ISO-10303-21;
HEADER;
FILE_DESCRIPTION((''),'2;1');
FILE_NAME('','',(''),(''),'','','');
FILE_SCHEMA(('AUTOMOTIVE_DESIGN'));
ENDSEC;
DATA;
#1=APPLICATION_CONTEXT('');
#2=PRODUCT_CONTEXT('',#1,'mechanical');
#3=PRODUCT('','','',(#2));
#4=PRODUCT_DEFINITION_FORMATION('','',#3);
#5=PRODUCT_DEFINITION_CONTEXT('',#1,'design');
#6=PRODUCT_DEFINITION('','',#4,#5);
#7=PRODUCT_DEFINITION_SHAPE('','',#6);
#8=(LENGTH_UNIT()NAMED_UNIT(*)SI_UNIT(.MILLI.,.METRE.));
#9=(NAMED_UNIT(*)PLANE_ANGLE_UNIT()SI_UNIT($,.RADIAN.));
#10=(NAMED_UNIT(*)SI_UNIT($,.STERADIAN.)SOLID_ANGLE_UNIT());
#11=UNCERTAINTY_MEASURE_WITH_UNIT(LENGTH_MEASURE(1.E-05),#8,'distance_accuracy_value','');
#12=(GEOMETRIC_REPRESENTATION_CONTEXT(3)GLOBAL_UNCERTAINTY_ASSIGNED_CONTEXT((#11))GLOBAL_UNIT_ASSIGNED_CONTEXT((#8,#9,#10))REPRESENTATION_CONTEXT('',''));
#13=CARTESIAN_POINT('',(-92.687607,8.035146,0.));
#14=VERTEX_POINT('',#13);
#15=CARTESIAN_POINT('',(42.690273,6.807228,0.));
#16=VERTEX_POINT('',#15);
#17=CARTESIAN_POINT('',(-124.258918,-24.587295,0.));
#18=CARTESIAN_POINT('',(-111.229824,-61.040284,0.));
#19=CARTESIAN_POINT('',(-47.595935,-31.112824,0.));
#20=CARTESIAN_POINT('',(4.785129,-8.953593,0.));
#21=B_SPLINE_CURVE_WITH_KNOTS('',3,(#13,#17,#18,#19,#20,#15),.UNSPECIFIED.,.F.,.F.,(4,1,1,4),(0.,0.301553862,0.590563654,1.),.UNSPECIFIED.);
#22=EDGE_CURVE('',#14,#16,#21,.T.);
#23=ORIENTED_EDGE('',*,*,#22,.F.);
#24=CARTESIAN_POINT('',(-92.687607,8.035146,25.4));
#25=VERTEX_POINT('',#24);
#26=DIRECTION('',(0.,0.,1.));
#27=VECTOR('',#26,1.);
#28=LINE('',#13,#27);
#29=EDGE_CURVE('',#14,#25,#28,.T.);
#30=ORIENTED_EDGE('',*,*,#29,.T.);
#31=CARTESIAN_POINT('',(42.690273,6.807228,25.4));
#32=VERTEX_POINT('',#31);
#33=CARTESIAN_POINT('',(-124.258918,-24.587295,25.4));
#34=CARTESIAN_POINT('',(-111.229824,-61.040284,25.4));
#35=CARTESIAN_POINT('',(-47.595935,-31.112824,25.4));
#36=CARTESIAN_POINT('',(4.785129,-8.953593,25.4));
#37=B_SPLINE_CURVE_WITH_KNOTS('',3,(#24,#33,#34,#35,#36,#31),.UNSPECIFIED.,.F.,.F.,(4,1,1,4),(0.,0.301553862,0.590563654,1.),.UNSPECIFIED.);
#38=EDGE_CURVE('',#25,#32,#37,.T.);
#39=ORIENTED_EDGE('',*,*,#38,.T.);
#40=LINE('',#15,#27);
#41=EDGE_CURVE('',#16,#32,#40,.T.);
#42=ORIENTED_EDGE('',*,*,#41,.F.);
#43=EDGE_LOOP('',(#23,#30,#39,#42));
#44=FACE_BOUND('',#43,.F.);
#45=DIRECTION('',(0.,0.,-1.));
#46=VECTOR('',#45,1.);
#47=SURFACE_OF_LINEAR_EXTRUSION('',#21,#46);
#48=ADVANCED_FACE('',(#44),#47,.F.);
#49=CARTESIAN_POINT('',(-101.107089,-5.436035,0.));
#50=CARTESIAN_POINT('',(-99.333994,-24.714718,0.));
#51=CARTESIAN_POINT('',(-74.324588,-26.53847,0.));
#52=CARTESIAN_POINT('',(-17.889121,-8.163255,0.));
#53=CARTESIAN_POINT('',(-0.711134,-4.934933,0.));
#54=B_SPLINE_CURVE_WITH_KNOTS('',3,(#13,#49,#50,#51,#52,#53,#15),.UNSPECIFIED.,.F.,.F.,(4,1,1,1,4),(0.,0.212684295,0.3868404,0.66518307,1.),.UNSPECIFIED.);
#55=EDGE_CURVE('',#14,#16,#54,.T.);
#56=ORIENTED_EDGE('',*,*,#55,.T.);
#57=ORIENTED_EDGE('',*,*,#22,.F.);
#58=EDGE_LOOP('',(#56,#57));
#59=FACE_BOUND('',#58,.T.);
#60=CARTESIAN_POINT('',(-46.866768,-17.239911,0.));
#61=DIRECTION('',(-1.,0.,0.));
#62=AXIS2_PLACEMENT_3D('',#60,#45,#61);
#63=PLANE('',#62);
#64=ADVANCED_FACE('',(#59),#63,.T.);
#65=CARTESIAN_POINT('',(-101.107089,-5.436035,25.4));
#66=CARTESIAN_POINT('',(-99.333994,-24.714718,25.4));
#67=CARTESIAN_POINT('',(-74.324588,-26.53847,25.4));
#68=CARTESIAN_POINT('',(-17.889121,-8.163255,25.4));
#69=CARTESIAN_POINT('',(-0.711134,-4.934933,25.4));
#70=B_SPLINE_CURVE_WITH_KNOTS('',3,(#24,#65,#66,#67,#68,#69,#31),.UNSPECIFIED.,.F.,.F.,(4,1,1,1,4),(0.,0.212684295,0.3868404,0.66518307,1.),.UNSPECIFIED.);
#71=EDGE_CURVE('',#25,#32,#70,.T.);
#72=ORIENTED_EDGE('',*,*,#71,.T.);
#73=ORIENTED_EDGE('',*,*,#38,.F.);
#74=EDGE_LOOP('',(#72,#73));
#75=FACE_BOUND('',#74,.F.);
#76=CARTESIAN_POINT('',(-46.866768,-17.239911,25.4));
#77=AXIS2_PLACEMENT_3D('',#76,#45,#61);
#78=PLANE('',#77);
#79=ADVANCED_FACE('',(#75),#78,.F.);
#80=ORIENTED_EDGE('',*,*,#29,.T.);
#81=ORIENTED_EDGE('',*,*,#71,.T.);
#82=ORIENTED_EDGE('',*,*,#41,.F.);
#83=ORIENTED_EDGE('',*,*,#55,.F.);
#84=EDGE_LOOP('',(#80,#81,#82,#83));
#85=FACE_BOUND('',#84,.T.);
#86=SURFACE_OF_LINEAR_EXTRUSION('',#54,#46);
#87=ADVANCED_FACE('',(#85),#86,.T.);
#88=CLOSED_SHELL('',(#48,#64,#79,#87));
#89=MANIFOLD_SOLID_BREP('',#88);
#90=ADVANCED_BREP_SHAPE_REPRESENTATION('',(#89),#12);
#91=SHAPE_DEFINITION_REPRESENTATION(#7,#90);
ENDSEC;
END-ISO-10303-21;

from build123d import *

# Parameters (mm, degrees)
F1_DEPTH = 25.4


with BuildPart() as f1:
    # F0 (on Top) → F1 (new body)
    with BuildSketch(Plane.XY):
        with BuildLine():
            add(Edge.make_bspline(
                [(-92.6876068115, 8.0351457), (-101.107089264, -5.4360347694), (-99.3339940295, -24.7147183481), (-74.3245882681, -26.5384696454), (-17.8891214039, -8.1632546126), (-0.7111337609, -4.9349328951), (42.6902733743, 6.807227619)],
                knots=[0, 0, 0, 0, 0.2126842946, 0.3868403997, 0.6651830699, 1, 1, 1, 1], degree=3))
            add(Edge.make_bspline(
                [(-92.6876068115, 8.0351457), (-124.2589178373, -24.5872952317), (-111.2298235631, -61.0402842473), (-47.5959348717, -31.1128239231), (4.7851285654, -8.9535934321), (42.6902733743, 6.807227619)],
                knots=[0, 0, 0, 0, 0.3015538616, 0.5905636541, 1, 1, 1, 1], degree=3))
        make_face()
    extrude(amount=F1_DEPTH)


solid = f1.part
